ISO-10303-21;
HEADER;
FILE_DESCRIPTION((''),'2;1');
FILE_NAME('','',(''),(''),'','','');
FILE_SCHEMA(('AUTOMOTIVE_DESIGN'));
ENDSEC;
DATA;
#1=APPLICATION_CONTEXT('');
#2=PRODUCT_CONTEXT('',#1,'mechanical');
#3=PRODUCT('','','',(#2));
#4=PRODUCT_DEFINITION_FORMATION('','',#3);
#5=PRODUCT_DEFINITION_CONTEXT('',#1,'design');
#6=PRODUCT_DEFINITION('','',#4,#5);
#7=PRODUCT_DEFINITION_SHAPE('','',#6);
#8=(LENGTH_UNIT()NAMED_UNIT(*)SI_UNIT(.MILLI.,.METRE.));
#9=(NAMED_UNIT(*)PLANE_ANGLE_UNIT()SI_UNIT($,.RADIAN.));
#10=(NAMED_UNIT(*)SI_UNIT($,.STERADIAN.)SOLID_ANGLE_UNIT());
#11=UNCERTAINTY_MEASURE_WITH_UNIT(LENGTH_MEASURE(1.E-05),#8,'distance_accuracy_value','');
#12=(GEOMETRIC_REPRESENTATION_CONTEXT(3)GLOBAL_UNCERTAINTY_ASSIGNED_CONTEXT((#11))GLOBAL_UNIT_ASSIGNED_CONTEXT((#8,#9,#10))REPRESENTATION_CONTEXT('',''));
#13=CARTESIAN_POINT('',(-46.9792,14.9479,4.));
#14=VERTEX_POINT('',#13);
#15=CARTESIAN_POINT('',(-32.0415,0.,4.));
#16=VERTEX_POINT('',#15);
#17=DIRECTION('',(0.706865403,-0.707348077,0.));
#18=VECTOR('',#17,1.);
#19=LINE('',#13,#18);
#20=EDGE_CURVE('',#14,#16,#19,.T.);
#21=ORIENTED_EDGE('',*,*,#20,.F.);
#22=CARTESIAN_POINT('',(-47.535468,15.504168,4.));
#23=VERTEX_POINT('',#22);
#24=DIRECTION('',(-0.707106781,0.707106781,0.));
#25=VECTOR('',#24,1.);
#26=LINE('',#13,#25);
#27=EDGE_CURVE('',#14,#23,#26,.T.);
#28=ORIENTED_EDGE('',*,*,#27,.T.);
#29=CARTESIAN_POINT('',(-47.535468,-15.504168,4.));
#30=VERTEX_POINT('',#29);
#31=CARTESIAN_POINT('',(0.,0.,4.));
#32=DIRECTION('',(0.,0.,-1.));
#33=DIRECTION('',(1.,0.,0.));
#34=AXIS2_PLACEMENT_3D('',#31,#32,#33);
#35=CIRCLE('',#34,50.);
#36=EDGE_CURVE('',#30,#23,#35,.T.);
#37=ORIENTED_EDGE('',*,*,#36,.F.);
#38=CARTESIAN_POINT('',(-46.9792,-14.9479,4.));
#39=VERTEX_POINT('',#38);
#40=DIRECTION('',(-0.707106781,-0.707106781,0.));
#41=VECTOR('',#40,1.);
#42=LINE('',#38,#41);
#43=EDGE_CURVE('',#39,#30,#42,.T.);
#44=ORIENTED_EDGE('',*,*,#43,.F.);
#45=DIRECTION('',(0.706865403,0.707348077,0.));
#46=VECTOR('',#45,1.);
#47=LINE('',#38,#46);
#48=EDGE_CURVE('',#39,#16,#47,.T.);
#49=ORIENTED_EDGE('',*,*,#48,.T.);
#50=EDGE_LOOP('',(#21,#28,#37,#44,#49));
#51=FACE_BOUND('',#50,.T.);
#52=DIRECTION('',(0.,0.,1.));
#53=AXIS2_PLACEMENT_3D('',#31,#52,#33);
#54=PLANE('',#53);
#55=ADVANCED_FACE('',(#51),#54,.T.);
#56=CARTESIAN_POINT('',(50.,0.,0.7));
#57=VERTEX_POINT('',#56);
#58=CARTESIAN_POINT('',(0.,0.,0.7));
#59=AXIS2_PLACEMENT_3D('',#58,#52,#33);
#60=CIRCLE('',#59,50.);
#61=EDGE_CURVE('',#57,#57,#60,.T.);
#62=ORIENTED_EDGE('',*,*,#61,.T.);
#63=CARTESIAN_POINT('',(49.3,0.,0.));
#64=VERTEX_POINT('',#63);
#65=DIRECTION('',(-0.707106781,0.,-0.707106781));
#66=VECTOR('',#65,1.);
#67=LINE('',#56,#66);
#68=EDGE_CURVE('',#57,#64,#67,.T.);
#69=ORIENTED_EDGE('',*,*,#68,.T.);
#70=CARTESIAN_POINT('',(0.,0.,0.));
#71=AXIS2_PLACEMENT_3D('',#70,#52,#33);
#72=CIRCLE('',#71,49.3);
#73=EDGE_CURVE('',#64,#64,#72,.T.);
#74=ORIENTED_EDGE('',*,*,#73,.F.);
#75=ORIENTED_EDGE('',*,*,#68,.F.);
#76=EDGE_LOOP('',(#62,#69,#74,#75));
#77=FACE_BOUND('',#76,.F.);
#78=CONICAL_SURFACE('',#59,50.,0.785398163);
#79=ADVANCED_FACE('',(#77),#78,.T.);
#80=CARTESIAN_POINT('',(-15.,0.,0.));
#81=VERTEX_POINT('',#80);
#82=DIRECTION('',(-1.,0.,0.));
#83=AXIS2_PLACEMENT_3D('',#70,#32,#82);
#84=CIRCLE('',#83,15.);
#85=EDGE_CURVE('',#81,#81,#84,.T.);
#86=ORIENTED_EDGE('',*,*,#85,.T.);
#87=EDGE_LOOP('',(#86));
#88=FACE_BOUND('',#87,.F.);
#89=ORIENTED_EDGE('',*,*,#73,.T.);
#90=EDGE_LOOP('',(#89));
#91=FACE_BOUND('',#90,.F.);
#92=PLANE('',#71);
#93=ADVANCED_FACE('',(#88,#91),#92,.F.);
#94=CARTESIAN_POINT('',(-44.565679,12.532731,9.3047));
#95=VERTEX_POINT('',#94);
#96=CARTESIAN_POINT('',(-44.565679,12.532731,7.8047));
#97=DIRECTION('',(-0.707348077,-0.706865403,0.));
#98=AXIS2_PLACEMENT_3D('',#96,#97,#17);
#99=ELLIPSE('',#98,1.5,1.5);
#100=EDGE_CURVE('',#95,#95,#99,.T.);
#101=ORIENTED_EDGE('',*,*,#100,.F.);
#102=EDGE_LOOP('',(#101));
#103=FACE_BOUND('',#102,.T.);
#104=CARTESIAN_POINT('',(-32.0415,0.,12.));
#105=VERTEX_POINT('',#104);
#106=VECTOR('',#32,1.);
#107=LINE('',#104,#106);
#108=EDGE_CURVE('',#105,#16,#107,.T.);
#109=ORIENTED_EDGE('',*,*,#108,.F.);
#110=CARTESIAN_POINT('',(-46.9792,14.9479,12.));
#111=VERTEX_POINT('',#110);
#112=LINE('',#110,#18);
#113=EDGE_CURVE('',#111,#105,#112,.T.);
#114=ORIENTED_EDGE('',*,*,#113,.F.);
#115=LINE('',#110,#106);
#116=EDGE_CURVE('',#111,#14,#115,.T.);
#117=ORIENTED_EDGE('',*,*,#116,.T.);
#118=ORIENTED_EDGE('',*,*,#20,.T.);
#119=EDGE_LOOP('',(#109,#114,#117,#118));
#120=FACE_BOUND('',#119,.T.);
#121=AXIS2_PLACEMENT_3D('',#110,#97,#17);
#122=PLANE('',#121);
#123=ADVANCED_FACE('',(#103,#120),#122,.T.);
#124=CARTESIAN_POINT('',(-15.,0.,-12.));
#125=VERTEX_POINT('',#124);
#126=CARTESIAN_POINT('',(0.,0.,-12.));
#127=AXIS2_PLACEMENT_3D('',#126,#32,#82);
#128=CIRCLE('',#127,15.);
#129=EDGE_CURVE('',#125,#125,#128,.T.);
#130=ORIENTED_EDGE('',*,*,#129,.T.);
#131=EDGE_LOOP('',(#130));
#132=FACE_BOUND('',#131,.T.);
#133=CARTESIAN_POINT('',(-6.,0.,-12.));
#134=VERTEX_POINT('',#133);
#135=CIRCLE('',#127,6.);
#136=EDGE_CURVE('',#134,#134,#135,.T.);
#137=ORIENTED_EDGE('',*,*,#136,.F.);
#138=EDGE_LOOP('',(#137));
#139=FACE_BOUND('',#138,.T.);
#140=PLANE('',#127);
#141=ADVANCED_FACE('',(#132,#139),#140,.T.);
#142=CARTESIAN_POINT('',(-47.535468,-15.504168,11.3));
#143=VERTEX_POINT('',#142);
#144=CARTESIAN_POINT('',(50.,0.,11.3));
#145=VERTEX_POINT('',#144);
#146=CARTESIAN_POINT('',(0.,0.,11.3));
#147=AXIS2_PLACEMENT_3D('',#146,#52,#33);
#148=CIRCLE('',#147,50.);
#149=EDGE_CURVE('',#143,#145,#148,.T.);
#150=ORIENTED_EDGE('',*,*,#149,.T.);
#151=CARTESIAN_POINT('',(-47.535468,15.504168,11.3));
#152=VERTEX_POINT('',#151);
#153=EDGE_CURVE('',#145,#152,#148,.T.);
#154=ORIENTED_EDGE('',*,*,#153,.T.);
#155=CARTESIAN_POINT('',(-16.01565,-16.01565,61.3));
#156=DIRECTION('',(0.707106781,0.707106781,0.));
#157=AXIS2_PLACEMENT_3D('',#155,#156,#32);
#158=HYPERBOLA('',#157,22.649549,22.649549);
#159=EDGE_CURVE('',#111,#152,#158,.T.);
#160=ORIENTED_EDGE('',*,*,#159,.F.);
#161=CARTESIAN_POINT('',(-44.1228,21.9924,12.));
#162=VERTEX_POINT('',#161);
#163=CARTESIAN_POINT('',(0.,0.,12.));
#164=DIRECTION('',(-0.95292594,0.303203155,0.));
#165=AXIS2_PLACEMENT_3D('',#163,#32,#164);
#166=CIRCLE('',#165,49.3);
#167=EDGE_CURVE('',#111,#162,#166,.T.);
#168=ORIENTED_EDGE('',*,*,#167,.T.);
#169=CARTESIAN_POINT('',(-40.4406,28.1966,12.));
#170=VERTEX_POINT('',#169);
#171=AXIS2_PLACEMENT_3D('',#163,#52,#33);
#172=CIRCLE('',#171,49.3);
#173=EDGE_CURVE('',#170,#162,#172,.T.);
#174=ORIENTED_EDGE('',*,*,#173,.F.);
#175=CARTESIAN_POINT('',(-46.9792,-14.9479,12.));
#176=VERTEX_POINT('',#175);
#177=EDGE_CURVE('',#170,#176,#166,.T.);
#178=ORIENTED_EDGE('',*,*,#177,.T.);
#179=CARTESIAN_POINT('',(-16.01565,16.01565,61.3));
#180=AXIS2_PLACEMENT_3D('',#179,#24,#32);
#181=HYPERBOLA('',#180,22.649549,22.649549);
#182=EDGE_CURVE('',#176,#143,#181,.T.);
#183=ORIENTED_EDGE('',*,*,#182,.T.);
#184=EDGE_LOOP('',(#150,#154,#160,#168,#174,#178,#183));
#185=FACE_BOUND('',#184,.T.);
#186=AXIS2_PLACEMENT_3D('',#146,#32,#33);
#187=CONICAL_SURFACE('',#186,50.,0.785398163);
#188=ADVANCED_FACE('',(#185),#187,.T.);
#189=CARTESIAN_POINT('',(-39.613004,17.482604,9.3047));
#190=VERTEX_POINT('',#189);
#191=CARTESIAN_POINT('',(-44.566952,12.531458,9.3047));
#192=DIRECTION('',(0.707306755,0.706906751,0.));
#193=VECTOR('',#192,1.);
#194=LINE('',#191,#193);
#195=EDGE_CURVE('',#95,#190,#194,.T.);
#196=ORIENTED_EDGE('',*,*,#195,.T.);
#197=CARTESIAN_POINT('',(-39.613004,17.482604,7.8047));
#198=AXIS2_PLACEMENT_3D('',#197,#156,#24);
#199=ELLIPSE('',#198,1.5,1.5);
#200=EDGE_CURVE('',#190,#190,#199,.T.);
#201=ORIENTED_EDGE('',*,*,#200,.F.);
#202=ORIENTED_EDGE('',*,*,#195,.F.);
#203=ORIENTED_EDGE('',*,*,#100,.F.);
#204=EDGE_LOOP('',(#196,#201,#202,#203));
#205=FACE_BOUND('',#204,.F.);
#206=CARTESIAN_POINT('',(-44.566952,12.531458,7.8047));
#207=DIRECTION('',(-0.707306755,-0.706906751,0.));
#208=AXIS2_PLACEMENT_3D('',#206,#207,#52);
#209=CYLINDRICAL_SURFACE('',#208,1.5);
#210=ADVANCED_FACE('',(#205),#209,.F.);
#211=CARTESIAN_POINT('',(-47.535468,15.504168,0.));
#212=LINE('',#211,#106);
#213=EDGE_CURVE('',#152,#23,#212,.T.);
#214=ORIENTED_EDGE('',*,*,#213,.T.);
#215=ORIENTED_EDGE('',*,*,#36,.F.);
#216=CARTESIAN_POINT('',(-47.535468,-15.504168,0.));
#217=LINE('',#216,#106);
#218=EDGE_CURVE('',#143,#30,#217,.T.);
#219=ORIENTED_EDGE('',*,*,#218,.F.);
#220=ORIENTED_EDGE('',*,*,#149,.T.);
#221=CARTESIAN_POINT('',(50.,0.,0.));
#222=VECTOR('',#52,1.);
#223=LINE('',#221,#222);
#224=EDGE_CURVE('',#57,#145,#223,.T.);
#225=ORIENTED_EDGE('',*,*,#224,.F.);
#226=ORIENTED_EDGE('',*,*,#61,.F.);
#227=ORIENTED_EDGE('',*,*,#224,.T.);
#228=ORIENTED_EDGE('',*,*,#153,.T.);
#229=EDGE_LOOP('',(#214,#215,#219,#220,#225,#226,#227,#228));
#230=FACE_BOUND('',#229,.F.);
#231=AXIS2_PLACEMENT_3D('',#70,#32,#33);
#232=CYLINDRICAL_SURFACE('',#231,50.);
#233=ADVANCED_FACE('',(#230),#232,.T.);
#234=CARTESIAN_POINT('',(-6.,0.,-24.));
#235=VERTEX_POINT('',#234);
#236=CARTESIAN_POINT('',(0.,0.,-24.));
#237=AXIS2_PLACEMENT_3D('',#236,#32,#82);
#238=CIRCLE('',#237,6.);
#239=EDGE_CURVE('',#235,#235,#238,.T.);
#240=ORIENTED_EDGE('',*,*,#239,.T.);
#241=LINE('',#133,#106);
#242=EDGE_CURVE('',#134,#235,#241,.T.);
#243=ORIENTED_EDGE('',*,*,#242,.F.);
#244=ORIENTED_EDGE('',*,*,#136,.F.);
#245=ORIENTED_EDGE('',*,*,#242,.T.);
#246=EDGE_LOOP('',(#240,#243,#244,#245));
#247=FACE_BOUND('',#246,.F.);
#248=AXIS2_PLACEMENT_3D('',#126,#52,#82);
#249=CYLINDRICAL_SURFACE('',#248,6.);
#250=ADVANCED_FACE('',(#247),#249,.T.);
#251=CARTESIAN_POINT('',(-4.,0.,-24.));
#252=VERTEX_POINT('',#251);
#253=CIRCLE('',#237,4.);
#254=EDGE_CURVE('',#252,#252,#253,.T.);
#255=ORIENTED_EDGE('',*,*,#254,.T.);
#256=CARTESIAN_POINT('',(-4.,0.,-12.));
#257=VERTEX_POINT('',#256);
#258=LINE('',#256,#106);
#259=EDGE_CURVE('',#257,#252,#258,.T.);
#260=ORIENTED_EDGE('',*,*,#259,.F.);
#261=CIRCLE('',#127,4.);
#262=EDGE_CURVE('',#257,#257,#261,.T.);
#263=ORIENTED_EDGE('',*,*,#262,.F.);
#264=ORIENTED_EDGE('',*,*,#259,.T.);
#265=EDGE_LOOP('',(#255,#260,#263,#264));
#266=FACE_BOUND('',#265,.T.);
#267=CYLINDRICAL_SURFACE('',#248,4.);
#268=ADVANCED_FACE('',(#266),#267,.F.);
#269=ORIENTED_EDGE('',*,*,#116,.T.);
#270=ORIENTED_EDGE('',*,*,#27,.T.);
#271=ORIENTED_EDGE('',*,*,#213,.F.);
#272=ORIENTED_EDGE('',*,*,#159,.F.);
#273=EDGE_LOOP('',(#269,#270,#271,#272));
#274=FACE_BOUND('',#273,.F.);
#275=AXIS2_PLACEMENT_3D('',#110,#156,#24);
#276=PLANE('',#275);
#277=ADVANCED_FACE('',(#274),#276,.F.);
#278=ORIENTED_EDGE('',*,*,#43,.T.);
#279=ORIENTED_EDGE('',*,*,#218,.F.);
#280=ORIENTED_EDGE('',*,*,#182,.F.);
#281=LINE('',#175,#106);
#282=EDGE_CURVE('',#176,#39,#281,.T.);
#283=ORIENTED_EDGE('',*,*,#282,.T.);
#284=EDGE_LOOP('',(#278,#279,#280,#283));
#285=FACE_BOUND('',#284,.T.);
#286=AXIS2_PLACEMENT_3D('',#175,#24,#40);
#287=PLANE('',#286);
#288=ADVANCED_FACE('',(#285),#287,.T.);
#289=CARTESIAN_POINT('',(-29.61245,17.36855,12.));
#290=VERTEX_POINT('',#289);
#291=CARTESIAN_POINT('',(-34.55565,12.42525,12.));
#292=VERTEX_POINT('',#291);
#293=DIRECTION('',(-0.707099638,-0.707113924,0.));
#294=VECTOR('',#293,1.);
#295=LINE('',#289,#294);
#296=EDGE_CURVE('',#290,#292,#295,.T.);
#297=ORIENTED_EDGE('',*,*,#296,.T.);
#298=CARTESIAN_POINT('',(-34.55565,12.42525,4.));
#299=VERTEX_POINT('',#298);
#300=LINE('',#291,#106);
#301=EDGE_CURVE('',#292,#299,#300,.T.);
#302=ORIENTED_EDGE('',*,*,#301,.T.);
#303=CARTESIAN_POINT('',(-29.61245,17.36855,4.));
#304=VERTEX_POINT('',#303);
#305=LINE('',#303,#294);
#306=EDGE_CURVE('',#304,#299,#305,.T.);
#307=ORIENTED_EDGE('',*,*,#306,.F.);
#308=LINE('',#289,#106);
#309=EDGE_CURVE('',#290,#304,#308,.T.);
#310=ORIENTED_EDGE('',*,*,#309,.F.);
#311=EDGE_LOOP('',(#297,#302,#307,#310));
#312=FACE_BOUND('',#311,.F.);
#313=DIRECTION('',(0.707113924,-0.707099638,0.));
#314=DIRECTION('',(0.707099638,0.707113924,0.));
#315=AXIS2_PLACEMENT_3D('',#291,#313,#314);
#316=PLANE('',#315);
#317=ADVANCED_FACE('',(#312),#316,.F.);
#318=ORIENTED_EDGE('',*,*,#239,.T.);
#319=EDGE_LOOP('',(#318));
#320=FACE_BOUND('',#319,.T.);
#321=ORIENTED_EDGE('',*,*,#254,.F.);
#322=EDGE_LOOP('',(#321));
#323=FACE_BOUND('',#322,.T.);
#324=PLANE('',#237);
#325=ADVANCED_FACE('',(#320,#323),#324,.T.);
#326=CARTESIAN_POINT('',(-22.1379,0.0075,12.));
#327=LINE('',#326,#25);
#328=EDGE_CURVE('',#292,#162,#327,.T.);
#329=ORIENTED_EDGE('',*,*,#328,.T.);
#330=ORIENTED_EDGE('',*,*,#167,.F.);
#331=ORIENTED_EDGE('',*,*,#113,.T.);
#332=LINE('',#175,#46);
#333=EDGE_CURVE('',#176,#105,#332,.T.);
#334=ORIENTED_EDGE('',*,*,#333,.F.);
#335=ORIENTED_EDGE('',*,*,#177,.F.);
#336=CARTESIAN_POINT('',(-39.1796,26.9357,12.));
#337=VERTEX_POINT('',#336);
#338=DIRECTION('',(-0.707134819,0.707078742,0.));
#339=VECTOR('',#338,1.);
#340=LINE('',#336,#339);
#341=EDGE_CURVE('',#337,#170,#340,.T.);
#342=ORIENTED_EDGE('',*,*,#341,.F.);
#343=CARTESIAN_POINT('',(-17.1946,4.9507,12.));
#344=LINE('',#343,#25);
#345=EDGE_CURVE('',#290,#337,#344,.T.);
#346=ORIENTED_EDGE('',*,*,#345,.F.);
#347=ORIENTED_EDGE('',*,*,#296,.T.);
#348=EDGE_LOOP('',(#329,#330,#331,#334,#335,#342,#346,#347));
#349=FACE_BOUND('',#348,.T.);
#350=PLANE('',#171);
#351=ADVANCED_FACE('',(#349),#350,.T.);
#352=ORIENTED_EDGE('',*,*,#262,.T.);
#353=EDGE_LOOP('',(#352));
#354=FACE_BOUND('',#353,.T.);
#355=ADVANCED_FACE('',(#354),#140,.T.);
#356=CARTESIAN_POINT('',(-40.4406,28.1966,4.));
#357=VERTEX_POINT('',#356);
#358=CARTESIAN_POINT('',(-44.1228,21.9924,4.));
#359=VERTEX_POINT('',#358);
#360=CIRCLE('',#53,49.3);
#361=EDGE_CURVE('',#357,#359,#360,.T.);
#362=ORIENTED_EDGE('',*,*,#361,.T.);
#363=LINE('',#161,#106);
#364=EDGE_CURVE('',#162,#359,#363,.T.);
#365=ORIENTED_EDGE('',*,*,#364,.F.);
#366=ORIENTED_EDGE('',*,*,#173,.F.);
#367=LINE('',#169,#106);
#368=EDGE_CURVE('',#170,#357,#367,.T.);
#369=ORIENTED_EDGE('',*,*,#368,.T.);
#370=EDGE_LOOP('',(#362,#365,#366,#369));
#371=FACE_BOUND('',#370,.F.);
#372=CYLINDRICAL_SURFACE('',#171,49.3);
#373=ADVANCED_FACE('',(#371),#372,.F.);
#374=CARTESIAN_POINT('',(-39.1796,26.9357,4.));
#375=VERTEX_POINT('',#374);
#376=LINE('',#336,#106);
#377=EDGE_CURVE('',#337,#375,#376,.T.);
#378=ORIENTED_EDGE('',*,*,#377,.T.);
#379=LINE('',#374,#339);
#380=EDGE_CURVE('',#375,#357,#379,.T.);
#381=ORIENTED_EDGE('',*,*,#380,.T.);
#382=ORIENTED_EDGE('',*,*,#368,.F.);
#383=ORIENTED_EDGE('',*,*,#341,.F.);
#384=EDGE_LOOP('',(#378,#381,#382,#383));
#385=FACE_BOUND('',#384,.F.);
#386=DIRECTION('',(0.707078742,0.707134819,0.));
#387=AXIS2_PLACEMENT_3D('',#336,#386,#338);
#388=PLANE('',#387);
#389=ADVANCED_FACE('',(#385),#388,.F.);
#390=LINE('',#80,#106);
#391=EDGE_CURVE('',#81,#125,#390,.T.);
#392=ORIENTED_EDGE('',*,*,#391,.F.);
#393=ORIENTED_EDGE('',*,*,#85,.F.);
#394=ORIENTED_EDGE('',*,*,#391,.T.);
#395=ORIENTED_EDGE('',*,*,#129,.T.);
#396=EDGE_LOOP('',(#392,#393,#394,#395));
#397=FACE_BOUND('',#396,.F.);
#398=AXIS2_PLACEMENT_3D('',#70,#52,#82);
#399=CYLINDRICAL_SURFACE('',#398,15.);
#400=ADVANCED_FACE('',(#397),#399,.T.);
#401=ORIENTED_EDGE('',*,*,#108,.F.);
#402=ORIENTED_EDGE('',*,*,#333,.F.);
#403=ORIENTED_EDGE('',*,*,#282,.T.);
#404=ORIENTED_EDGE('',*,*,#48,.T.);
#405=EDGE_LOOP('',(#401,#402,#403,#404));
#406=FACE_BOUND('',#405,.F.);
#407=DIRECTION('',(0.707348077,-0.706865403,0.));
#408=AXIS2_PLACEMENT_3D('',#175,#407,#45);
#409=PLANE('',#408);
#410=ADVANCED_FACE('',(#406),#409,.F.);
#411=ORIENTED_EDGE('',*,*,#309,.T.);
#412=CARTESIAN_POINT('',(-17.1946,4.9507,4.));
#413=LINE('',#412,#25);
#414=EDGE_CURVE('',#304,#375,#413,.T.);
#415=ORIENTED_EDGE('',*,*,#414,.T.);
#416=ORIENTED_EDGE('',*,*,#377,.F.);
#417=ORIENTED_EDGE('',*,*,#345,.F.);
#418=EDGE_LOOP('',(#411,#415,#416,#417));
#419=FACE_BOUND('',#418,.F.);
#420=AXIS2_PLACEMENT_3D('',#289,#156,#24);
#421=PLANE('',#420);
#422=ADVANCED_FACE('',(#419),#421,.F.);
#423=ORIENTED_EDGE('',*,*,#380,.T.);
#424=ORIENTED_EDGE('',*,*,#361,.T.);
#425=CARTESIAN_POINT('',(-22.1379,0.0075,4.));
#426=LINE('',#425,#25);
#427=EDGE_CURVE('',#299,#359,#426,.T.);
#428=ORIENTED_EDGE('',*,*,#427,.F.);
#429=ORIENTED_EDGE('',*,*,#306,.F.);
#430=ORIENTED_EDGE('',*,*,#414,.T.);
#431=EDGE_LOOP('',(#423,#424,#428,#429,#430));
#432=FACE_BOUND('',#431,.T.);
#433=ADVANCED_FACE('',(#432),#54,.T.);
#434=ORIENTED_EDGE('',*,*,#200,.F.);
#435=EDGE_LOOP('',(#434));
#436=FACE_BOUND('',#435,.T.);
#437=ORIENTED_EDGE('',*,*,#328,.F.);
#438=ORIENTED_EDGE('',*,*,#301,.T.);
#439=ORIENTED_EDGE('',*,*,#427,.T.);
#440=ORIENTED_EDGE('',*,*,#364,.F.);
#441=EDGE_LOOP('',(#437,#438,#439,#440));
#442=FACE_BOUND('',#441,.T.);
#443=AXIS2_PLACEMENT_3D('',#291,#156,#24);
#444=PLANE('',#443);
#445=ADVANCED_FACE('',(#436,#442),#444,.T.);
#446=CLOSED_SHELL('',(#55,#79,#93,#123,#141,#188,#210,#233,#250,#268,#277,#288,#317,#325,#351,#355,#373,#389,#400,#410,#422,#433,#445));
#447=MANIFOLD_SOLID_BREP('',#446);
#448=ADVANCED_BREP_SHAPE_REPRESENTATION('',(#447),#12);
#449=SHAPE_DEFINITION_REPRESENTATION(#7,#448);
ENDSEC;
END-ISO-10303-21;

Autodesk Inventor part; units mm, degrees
ref_plane "YZ Plane" through (0, 0, 0) normal (1, 0, 0) x (0, 1, 0)
ref_plane "XZ Plane" through (0, 0, 0) normal (0, 1, 0) x (-1, 0, 0)
ref_plane "XY Plane" through (0, 0, 0) normal (0, 0, 1) x (1, 0, 0)
sketch "Sketch1" plane through (0, 0, 0) normal (0, 0, 1) x (1, 0, 0)
  circle A0 centre (0, 0) radius 50
  dimension "d0" = 100
extrude "Extrusion1" add sketch "Sketch1" along normal blind 12
sketch "Sketch2" plane through (0, 0, 0) normal (0, 0, -1) x (-1, 0, 0)
  circle A0 centre (0, 0) radius 15
  dimension "d3" = 30
extrude "Extrusion2" add sketch "Sketch2" along normal blind 12
chamfer "Chamfer1" distance 0.7 angle 45 1 edges at (-50, 0, 0)
chamfer "Chamfer2" distance 0.7 angle 45 1 edges at (-50, 0, 12)
sketch "Sketch9" plane through (0, 0, -12) normal (0, 0, -1) x (-1, 0, 0)
  circle A0 centre (0, 0) radius 6
  circle A1 centre (0, 0) radius 4
  dimension "d32" = 12
  dimension "d33" = 8
extrude "Extrusion9" add sketch "Sketch9" along normal blind 12
sketch "Sketch10" plane through (0, 0, 12) normal (0, 0, 1) x (1, 0, 0)
  circle A0 centre (0, 0) radius 49.3 projected
  line L0 (-46.9792, -14.9479) -> (-32.0415, 0)
  line L1 (-32.0415, 0) -> (-34.8474, 0)
  line L2 (-46.9792, 14.9479) -> (-32.0415, 0)
  line L3 (-46.9792, -14.9479) -> (-50.9309, -18.8996)
  line L4 (-46.9792, -14.9479) -> (-41.3907, -14.9479) construction
  line L5 (-46.9792, 14.9479) -> (-50.9309, 18.8996)
  arc A1 (-50.9309, 18.8996) -> (-50.9309, -18.8996) centre (-5.1445, 0) ccw
  arc A2 (-46.9792, 14.9479) -> (-46.9792, -14.9479) centre (0, 0) ccw
  line L6 (-17.4257, 0) -> (-43.6281, 26.2024)
  line L7 (-17.4257, 0) -> (19.6301, 0) construction
  line L8 (-12.476, 4.9497) -> (-38.6784, 31.1522)
  line L9 (-17.4257, 0) -> (-12.476, 4.9497)
  arc A3 (-38.4198, 30.8935) -> (-42.4668, 25.0411) centre (0, 0) ccw
  arc A4 (-38.6784, 31.1522) -> (-43.6281, 26.2024) centre (-36.0468, 23.5708) ccw
  dimension "d36" = 135
  dimension "d39" = 135
extrude "Extrusion10" cut sketch "Sketch10" against normal blind 8 contours L3 A1 L5 A0 | A0 L2 L0
sketch "Sketch11" plane through (0, 0, 12) normal (0, 0, 1) x (1, 0, 0)
  line L0 (-46.9792, 14.9479) -> (-32.0415, 0) projected
  line L1 (-39.5104, 7.474) -> (-34.5589, 12.422)
  line L2 (-22.1379, 0.0075) -> (-44.1228, 21.9924)
  circle A0 centre (0, 0) radius 49.3 projected
  line L3 (-34.5589, 12.422) -> (-29.6092, 17.3718)
  line L4 (-34.5589, 12.422) -> (-27.5589, 12.422) construction
  line L5 (-32.0841, 14.8969) -> (-29.6092, 12.422)
  line L6 (-17.1946, 4.9507) -> (-39.1796, 26.9357)
  line L7 (-22.1379, 0.0075) -> (-17.1946, 4.9507)
  line L8 (-39.1796, 26.9357) -> (-40.4406, 28.1966)
  line L9 (-44.1228, 21.9924) -> (-46.2441, 24.1138)
  line L10 (-40.4406, 28.1966) -> (-42.3953, 30.4724)
  arc A1 (-42.3953, 30.4724) -> (-46.289, 24.1586) centre (-36.8863, 22.7176) ccw
  arc A2 (-46.9792, -14.9479) -> (-46.9792, 14.9479) centre (0, 0) ccw projected
  point P0 (-34.5557, 12.4253)
  point P1 (-29.6124, 17.3685)
  dimension "d42" = 7
  dimension "d43" = 7
  dimension "d45" = 3
  dimension "d46" = 3
extrude "Extrusion11" cut sketch "Sketch11" against normal blind 8 contours A0 L8 L6 L3 L2
sketch "Sketch12" plane through (-46.9792, 14.9479, 4) normal (-0.7073, -0.7069, 0) x (0, 0, 1)
  circle A0 centre (3.8047, -3.4144) radius 1.5
  point P0 (-4, -43.7814)
  dimension "d49" = 3
extrude "Extrusion12" cut sketch "Sketch12" against normal blind 8
properties part number "FlyCutter"
